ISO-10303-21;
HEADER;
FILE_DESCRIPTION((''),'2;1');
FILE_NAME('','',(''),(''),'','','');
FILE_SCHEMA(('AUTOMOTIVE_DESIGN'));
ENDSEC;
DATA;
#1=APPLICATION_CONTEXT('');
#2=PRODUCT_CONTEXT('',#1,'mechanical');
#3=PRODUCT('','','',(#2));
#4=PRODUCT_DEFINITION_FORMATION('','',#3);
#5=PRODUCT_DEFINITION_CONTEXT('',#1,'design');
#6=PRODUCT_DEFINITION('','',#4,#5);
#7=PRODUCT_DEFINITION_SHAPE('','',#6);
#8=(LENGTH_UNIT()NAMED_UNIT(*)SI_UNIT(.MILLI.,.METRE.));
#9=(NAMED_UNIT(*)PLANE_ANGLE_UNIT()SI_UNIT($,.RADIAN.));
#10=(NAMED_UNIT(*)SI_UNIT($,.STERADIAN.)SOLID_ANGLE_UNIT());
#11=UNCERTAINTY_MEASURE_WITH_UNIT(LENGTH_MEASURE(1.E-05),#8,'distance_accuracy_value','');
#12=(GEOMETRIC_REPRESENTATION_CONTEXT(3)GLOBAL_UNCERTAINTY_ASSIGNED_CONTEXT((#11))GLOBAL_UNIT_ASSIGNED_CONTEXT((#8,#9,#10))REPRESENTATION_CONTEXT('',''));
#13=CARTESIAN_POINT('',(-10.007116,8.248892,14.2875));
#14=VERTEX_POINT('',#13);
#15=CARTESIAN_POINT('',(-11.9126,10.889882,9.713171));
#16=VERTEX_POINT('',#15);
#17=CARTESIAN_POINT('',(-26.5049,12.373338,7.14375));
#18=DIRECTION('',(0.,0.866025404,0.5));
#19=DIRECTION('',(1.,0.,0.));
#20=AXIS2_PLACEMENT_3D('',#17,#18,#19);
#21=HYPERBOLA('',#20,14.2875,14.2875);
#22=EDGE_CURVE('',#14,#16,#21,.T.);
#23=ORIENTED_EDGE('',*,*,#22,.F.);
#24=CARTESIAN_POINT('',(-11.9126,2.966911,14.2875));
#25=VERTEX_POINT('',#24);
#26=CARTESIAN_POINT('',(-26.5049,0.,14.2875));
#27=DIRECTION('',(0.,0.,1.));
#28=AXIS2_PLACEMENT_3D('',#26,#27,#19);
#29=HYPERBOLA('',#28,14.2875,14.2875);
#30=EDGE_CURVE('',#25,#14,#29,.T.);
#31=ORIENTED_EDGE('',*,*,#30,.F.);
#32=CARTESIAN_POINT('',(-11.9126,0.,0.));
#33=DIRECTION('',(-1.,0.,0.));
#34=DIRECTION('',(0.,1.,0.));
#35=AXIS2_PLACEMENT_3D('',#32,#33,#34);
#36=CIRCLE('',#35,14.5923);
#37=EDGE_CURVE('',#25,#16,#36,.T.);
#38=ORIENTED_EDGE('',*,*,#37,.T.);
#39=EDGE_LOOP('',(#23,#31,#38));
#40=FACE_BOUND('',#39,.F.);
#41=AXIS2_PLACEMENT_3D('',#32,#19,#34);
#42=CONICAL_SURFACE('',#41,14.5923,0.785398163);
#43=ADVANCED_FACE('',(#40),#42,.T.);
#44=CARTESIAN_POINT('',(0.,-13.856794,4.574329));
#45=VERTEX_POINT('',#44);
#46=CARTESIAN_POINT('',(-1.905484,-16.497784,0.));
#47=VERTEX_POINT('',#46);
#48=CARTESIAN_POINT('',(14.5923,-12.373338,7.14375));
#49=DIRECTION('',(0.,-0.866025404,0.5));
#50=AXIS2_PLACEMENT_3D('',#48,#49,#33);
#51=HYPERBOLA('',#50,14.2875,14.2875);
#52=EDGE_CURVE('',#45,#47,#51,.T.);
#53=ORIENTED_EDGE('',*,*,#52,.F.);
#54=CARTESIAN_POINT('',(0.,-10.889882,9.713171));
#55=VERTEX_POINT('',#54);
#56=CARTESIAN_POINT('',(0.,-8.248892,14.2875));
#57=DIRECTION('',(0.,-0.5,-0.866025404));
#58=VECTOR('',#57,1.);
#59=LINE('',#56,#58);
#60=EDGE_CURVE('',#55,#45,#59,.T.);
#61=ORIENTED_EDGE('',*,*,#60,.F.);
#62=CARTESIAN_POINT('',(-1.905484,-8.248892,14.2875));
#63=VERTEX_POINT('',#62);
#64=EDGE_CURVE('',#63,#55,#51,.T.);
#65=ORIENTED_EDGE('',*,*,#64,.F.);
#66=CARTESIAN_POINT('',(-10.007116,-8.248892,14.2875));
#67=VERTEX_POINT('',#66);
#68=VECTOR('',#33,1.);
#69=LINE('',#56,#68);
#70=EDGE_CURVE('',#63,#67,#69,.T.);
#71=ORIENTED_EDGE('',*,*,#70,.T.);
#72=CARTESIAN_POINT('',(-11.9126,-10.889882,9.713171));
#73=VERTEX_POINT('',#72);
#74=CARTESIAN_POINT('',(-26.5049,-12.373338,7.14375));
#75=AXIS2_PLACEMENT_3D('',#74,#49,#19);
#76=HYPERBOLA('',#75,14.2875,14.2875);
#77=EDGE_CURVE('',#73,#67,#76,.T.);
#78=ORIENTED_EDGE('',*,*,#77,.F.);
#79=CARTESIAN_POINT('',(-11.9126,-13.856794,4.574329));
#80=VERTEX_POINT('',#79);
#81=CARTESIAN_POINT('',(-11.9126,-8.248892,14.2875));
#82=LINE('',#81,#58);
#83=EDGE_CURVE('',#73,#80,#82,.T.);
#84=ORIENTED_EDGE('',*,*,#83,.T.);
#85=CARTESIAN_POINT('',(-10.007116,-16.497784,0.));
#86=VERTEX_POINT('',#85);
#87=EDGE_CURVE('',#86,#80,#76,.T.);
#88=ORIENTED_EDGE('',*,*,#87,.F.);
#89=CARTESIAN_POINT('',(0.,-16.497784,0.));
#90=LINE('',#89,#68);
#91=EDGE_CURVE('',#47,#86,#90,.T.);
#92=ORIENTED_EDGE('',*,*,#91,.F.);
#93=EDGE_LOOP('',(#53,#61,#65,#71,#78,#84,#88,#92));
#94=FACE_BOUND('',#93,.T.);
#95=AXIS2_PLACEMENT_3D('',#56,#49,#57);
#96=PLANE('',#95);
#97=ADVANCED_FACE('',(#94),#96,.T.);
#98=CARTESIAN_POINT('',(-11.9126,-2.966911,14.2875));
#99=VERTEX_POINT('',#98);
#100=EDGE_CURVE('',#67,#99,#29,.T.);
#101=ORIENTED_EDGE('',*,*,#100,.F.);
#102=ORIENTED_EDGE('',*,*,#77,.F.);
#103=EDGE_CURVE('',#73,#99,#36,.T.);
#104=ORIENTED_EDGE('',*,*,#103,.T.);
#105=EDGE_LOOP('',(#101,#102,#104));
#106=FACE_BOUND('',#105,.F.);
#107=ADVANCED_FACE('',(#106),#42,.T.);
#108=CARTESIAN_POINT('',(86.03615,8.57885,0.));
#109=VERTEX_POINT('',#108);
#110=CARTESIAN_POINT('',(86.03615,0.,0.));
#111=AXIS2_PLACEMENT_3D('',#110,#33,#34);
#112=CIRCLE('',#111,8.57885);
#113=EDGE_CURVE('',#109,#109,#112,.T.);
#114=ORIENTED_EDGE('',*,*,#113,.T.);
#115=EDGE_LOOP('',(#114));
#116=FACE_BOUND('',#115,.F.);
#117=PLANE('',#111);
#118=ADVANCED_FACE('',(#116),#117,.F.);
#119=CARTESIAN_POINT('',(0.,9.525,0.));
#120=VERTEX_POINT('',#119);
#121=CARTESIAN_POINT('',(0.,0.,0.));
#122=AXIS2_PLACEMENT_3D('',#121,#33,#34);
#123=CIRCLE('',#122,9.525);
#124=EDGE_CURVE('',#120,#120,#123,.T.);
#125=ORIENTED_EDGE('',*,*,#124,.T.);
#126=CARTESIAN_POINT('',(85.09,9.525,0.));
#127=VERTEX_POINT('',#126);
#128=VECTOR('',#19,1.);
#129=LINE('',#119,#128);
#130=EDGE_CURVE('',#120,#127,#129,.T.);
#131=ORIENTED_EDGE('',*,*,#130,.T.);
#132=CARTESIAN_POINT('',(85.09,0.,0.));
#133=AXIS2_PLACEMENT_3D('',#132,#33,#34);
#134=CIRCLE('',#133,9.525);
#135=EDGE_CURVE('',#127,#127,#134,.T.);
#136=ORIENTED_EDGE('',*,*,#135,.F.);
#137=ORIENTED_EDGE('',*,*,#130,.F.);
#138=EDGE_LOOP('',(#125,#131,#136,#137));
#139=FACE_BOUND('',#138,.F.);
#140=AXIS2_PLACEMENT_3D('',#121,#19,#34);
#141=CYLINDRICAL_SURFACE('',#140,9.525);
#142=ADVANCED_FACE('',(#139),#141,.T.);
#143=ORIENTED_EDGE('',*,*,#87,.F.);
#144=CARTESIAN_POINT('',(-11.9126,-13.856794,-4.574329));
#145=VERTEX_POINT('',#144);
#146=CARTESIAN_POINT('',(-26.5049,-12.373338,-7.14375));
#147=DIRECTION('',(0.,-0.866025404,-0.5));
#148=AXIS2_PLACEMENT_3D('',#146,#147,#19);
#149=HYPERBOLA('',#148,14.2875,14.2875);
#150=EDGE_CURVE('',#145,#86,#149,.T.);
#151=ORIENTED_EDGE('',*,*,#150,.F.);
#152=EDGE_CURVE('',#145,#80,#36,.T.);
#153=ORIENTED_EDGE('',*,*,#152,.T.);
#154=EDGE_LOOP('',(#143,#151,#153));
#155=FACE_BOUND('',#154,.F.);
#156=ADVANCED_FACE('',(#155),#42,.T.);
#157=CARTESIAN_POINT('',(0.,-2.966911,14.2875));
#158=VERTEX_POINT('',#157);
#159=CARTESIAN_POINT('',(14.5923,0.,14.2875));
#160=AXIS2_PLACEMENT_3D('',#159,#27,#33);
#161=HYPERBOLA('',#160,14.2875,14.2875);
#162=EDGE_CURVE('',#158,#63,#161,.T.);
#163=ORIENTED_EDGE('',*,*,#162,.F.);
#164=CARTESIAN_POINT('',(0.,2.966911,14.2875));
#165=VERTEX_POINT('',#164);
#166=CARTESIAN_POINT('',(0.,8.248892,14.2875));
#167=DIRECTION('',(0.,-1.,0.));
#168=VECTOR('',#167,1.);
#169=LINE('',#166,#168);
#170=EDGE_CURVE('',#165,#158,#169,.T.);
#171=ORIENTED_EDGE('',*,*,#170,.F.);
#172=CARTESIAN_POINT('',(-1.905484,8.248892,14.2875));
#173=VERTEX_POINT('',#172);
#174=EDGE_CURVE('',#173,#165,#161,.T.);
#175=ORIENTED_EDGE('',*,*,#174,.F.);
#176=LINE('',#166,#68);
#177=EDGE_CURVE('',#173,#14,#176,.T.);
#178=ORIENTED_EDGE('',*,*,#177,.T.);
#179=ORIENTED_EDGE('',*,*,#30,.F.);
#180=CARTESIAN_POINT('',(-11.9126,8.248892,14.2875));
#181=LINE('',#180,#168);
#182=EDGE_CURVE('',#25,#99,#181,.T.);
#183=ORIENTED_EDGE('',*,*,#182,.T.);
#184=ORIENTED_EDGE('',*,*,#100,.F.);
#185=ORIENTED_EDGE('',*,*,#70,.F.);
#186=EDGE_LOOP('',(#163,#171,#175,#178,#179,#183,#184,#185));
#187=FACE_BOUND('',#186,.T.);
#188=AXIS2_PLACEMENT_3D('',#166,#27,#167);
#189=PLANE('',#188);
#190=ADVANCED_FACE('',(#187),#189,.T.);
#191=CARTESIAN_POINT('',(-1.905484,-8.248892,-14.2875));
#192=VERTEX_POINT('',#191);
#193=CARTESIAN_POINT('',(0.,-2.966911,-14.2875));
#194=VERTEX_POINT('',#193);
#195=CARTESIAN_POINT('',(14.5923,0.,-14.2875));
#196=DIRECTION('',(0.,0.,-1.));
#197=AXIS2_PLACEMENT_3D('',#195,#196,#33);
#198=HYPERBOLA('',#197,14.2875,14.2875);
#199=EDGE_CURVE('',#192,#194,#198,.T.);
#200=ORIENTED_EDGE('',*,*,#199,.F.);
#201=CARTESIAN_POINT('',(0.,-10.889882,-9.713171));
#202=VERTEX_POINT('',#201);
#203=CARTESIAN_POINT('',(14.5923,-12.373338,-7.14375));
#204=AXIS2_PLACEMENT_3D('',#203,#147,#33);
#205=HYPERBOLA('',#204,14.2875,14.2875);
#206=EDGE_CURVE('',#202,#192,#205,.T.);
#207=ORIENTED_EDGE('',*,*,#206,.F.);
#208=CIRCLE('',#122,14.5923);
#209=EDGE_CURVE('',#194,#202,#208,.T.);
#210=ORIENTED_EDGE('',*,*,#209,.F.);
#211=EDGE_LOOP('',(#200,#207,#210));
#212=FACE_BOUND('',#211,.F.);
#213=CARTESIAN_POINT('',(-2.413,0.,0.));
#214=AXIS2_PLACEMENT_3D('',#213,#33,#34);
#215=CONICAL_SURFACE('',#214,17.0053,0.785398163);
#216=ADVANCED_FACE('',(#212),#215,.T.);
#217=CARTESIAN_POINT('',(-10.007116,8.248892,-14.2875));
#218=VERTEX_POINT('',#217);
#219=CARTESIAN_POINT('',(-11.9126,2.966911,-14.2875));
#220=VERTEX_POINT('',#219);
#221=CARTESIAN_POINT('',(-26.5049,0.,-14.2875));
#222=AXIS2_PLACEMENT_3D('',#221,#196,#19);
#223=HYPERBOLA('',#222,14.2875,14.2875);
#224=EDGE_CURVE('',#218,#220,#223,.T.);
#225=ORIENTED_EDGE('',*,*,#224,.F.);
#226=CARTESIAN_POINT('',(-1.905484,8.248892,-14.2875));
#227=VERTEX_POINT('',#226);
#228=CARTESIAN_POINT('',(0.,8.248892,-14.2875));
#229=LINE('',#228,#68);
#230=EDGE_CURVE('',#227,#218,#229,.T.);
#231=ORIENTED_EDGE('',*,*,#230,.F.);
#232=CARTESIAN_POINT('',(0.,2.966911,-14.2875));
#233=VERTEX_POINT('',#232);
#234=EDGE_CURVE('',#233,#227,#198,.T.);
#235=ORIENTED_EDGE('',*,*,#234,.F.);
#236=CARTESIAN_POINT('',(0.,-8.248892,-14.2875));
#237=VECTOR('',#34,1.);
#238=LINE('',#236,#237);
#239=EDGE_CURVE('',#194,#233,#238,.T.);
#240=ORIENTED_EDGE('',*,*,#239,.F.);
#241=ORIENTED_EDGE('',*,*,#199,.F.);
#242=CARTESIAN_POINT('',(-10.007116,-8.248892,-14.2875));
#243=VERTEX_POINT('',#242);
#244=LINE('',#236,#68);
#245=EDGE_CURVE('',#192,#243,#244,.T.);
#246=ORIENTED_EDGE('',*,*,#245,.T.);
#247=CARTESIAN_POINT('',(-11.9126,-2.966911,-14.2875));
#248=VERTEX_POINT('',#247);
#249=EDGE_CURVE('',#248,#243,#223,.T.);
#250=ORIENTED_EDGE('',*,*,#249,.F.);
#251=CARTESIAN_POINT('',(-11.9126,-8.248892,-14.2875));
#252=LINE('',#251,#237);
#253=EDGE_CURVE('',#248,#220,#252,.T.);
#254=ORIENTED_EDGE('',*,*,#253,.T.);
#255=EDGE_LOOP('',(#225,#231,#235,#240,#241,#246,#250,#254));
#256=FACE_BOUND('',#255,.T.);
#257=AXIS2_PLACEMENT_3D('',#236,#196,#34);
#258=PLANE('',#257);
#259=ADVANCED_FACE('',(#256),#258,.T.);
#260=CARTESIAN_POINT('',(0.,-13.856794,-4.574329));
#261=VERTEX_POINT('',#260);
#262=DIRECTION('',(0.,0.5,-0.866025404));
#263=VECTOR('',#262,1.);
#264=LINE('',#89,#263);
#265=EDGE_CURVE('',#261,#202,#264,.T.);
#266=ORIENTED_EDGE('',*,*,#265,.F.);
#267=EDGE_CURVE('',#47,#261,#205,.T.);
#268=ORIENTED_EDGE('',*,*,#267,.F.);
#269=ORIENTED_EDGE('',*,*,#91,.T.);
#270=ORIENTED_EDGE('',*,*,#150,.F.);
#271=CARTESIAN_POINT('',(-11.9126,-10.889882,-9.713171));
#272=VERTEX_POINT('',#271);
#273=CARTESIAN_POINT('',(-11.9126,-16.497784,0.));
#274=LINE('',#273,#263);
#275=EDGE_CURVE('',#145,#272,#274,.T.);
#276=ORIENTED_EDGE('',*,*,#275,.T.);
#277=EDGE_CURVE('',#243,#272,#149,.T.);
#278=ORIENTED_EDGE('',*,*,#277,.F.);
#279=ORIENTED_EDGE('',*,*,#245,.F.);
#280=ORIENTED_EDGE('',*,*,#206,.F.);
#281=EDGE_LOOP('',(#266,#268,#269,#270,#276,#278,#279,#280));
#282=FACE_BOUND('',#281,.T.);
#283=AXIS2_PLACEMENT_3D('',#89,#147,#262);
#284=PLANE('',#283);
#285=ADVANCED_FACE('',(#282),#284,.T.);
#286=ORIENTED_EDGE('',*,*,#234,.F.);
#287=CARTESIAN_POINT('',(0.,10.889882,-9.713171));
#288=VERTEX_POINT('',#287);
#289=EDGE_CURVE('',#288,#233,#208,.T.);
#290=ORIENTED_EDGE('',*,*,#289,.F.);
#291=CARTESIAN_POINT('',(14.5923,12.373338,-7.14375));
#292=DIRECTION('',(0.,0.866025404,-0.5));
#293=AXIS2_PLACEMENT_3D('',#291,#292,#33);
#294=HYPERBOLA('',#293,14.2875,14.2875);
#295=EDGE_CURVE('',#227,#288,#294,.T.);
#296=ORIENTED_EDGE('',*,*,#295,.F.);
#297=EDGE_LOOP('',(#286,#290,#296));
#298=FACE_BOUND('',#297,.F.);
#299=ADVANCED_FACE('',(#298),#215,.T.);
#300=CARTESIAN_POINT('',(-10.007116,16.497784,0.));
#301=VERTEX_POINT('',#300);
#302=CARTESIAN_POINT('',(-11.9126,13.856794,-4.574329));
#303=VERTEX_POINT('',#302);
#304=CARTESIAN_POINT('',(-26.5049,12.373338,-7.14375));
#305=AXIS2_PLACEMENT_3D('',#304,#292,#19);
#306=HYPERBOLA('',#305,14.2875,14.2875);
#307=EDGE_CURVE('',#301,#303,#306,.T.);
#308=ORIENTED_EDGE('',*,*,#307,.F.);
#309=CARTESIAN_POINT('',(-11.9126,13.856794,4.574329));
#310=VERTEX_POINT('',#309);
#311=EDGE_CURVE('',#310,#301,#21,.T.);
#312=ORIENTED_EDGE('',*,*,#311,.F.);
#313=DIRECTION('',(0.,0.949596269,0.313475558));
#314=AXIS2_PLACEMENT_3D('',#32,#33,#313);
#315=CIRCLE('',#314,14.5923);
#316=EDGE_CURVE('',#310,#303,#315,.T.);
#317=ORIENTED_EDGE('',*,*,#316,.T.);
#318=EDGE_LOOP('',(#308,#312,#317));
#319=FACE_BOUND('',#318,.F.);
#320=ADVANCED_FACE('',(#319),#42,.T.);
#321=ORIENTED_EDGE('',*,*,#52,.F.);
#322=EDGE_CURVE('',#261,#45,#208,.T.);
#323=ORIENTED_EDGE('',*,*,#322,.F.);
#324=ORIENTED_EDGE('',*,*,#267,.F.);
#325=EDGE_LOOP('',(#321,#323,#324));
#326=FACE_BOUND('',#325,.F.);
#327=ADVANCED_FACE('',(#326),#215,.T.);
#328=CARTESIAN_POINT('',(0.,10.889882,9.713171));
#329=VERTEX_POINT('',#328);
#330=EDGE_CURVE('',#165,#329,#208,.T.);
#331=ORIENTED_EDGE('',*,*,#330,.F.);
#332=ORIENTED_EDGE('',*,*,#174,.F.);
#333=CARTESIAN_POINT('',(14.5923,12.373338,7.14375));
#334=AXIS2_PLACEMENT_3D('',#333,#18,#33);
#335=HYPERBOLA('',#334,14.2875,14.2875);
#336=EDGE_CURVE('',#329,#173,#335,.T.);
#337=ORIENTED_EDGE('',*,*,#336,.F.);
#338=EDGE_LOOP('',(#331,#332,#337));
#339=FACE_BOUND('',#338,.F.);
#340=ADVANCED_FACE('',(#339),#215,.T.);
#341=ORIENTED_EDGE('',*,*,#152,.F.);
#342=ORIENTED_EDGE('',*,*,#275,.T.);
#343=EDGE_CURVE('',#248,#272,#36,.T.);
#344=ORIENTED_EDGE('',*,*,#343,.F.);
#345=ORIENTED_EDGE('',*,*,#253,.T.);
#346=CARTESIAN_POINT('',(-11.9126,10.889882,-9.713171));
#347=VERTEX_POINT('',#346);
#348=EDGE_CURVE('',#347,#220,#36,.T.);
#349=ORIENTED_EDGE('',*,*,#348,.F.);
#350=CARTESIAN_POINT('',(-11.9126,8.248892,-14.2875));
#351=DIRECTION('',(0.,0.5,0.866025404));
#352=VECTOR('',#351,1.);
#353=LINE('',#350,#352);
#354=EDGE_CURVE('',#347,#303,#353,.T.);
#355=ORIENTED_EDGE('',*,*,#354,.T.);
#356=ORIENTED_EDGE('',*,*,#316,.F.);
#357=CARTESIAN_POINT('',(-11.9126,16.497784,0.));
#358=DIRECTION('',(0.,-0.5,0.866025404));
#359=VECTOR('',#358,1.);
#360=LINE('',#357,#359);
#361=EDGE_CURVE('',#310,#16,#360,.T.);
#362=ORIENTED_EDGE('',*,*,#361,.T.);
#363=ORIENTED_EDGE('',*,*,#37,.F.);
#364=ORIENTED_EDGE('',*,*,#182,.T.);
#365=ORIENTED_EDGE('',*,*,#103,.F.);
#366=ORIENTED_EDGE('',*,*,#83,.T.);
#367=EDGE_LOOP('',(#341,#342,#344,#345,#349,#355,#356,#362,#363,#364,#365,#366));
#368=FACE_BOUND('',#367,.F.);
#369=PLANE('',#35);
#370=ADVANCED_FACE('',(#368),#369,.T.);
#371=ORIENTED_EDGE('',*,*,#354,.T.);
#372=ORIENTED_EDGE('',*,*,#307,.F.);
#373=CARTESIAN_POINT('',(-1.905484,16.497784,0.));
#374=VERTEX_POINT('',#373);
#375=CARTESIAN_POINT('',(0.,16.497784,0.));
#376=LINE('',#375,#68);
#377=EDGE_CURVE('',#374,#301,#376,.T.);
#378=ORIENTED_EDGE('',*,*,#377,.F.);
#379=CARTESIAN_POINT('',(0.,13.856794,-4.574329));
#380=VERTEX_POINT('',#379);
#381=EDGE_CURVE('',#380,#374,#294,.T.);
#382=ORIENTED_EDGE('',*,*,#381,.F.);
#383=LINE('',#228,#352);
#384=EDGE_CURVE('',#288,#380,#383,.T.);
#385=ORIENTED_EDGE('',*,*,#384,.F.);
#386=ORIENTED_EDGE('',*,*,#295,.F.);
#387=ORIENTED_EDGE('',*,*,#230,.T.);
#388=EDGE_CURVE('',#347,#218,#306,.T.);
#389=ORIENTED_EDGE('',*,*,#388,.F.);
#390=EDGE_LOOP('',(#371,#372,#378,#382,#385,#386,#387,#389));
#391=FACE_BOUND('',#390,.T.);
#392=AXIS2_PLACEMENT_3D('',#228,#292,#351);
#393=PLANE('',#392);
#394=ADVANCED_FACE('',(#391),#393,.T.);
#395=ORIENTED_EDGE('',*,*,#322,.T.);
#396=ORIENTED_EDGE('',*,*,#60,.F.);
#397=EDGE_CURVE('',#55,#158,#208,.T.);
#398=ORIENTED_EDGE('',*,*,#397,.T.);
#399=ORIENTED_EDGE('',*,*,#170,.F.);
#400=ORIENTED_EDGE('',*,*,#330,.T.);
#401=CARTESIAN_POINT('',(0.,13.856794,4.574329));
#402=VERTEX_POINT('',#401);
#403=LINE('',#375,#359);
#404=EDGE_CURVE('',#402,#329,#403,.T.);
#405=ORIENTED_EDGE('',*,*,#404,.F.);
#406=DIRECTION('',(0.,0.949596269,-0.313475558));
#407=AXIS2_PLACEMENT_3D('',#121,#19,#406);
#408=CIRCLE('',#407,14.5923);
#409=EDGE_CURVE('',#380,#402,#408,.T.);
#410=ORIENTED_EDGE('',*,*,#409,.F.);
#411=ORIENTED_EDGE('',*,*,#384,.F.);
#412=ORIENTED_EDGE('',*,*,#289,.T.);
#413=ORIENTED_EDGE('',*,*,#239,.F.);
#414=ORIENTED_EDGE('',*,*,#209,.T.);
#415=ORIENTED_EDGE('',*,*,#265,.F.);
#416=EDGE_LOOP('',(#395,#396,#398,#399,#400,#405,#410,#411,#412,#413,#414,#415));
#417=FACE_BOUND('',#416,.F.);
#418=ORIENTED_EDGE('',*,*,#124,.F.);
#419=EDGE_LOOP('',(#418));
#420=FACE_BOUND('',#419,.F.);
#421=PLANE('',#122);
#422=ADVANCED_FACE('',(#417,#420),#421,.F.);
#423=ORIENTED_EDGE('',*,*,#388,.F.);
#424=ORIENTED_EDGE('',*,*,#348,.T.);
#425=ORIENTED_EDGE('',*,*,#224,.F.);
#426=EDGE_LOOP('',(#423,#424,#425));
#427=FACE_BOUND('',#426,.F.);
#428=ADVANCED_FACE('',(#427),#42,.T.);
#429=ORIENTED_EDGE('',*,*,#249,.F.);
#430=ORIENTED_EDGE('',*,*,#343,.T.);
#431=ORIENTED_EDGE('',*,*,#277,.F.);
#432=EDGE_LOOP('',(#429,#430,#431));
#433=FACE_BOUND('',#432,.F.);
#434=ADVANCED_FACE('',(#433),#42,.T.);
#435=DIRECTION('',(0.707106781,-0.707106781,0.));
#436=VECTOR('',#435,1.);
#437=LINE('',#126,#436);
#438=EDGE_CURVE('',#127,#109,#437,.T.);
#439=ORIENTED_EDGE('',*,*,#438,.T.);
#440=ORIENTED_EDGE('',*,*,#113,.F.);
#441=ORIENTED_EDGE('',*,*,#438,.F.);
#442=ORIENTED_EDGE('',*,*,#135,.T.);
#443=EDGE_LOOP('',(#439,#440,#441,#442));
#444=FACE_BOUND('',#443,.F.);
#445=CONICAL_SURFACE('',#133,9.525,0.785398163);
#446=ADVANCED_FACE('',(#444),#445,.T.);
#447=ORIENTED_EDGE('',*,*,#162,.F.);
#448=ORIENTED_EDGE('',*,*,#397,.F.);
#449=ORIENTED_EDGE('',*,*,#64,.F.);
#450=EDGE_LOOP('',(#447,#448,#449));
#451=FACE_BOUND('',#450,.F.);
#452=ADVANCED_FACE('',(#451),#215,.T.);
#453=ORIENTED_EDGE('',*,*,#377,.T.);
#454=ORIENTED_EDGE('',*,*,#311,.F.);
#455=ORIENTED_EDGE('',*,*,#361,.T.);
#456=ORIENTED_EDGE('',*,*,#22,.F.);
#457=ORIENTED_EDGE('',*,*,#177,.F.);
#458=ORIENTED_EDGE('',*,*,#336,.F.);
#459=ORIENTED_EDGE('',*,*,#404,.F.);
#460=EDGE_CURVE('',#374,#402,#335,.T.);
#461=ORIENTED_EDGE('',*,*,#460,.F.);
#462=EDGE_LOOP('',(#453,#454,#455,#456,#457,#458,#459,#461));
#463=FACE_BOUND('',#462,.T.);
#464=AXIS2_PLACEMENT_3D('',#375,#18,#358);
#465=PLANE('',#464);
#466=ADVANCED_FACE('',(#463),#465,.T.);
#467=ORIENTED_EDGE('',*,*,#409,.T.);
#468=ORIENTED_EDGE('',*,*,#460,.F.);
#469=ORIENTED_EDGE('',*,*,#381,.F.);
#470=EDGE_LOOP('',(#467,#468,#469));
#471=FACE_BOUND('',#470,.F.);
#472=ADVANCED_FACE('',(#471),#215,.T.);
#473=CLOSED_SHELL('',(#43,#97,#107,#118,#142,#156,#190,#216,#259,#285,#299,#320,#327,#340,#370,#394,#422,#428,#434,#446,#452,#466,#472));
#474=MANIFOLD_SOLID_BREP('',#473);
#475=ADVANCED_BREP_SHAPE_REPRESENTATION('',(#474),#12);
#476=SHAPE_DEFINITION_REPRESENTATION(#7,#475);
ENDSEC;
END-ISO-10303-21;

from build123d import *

# Parameters (mm, degrees)
ESBO_O2_R             = 28.575
CORTE_EXTRUS_O1_DEPTH = 11.9126


with BuildPart() as part:
    # Esboço1 → Revolução1 (revolve)
    with BuildSketch(Plane.XY):
        Polygon((-11.9126, 0), (-11.9126, 14.5923), (-9.4996, 17.0053), (-2.413, 17.0053), (0, 14.5923), (0, 9.525), (85.09, 9.525), (86.03615, 8.57885), (86.03615, 0), align=None)
    revolve(axis=Axis((86.03615, 0, 0), (-1, 0, 0)))

    # Esboço2 → Corte-extrusão1 (cut)
    with BuildSketch(Plane(origin=(0, 0, 0), x_dir=(0, 0, -1), z_dir=(1, 0, 0))):
        Circle(ESBO_O2_R)
        Polygon((-14.2875, -8.248891971), (0, -16.497783942), (14.2875, -8.248891971), (14.2875, 8.248891971), (0, 16.497783942), (-14.2875, 8.248891971), align=None, mode=Mode.SUBTRACT)
    extrude(amount=-CORTE_EXTRUS_O1_DEPTH, mode=Mode.SUBTRACT)


solid = part.part
